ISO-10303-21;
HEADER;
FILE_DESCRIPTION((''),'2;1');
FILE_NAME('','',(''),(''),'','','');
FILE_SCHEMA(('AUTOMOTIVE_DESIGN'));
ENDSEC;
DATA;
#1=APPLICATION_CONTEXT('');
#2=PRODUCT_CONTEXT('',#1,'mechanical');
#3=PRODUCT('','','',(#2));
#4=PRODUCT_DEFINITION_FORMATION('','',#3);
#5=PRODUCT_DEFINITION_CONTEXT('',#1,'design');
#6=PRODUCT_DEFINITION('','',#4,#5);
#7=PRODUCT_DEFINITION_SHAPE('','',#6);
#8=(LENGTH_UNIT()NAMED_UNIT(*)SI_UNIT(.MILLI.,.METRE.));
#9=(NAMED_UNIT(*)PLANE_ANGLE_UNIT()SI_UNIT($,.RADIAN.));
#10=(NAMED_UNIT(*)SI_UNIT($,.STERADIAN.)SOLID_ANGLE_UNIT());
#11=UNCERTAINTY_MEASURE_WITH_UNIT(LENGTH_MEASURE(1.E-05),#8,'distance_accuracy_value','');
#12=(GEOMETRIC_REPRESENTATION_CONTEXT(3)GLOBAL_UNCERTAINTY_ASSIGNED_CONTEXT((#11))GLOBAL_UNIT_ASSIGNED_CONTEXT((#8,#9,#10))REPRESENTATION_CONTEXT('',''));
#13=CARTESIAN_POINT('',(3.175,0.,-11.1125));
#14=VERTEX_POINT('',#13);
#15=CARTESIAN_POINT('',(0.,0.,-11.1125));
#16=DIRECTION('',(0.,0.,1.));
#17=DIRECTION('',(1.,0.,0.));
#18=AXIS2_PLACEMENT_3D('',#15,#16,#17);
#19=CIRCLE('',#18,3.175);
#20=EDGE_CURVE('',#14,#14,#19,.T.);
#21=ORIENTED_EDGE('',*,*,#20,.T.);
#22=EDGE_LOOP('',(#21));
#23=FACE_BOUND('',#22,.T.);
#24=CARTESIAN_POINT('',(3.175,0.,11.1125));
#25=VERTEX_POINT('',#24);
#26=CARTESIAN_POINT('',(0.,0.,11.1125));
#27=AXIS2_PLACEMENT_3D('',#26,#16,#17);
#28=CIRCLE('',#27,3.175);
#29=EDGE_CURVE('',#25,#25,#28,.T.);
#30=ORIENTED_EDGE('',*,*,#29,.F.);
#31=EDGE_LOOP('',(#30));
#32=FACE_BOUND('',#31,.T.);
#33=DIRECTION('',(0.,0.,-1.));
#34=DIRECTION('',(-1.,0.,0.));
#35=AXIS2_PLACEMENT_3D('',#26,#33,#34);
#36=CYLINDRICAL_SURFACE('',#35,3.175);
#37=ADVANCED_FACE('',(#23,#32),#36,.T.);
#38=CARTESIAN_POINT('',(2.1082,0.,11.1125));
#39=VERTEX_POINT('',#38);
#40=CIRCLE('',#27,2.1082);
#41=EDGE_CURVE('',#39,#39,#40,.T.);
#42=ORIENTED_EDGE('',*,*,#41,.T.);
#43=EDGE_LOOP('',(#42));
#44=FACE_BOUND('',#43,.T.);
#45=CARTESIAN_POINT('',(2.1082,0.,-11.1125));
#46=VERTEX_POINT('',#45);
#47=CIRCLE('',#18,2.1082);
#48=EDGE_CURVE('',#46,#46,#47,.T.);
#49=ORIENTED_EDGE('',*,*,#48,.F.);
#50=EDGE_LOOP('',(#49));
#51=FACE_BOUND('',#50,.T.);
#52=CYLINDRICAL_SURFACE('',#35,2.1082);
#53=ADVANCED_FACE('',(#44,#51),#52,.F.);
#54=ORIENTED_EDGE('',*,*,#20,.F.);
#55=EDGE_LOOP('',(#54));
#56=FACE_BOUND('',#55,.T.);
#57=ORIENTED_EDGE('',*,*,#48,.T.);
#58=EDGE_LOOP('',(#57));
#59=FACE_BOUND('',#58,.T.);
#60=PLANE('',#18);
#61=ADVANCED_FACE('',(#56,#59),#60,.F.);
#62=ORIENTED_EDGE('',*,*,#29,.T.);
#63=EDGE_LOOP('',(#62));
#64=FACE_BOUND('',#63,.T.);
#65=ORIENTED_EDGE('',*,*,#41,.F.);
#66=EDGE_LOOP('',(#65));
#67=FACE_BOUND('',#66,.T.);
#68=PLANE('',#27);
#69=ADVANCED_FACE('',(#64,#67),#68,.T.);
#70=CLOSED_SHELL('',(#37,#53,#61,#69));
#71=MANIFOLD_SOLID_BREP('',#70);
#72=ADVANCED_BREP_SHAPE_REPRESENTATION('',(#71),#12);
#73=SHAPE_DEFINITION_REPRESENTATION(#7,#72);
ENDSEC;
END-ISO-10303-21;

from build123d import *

# Parameters (mm, degrees)
SKETCH1_R      = 3.175
SKETCH1_R_2    = 2.1082
EXTRUDE1_DEPTH = 11.1125


with BuildPart() as part:
    # Sketch1 → Extrude1 (new body, symmetric)
    with BuildSketch(Plane.XY):
        Circle(SKETCH1_R)
        Circle(SKETCH1_R_2, mode=Mode.SUBTRACT)
    extrude(amount=EXTRUDE1_DEPTH, both=True)


solid = part.part
